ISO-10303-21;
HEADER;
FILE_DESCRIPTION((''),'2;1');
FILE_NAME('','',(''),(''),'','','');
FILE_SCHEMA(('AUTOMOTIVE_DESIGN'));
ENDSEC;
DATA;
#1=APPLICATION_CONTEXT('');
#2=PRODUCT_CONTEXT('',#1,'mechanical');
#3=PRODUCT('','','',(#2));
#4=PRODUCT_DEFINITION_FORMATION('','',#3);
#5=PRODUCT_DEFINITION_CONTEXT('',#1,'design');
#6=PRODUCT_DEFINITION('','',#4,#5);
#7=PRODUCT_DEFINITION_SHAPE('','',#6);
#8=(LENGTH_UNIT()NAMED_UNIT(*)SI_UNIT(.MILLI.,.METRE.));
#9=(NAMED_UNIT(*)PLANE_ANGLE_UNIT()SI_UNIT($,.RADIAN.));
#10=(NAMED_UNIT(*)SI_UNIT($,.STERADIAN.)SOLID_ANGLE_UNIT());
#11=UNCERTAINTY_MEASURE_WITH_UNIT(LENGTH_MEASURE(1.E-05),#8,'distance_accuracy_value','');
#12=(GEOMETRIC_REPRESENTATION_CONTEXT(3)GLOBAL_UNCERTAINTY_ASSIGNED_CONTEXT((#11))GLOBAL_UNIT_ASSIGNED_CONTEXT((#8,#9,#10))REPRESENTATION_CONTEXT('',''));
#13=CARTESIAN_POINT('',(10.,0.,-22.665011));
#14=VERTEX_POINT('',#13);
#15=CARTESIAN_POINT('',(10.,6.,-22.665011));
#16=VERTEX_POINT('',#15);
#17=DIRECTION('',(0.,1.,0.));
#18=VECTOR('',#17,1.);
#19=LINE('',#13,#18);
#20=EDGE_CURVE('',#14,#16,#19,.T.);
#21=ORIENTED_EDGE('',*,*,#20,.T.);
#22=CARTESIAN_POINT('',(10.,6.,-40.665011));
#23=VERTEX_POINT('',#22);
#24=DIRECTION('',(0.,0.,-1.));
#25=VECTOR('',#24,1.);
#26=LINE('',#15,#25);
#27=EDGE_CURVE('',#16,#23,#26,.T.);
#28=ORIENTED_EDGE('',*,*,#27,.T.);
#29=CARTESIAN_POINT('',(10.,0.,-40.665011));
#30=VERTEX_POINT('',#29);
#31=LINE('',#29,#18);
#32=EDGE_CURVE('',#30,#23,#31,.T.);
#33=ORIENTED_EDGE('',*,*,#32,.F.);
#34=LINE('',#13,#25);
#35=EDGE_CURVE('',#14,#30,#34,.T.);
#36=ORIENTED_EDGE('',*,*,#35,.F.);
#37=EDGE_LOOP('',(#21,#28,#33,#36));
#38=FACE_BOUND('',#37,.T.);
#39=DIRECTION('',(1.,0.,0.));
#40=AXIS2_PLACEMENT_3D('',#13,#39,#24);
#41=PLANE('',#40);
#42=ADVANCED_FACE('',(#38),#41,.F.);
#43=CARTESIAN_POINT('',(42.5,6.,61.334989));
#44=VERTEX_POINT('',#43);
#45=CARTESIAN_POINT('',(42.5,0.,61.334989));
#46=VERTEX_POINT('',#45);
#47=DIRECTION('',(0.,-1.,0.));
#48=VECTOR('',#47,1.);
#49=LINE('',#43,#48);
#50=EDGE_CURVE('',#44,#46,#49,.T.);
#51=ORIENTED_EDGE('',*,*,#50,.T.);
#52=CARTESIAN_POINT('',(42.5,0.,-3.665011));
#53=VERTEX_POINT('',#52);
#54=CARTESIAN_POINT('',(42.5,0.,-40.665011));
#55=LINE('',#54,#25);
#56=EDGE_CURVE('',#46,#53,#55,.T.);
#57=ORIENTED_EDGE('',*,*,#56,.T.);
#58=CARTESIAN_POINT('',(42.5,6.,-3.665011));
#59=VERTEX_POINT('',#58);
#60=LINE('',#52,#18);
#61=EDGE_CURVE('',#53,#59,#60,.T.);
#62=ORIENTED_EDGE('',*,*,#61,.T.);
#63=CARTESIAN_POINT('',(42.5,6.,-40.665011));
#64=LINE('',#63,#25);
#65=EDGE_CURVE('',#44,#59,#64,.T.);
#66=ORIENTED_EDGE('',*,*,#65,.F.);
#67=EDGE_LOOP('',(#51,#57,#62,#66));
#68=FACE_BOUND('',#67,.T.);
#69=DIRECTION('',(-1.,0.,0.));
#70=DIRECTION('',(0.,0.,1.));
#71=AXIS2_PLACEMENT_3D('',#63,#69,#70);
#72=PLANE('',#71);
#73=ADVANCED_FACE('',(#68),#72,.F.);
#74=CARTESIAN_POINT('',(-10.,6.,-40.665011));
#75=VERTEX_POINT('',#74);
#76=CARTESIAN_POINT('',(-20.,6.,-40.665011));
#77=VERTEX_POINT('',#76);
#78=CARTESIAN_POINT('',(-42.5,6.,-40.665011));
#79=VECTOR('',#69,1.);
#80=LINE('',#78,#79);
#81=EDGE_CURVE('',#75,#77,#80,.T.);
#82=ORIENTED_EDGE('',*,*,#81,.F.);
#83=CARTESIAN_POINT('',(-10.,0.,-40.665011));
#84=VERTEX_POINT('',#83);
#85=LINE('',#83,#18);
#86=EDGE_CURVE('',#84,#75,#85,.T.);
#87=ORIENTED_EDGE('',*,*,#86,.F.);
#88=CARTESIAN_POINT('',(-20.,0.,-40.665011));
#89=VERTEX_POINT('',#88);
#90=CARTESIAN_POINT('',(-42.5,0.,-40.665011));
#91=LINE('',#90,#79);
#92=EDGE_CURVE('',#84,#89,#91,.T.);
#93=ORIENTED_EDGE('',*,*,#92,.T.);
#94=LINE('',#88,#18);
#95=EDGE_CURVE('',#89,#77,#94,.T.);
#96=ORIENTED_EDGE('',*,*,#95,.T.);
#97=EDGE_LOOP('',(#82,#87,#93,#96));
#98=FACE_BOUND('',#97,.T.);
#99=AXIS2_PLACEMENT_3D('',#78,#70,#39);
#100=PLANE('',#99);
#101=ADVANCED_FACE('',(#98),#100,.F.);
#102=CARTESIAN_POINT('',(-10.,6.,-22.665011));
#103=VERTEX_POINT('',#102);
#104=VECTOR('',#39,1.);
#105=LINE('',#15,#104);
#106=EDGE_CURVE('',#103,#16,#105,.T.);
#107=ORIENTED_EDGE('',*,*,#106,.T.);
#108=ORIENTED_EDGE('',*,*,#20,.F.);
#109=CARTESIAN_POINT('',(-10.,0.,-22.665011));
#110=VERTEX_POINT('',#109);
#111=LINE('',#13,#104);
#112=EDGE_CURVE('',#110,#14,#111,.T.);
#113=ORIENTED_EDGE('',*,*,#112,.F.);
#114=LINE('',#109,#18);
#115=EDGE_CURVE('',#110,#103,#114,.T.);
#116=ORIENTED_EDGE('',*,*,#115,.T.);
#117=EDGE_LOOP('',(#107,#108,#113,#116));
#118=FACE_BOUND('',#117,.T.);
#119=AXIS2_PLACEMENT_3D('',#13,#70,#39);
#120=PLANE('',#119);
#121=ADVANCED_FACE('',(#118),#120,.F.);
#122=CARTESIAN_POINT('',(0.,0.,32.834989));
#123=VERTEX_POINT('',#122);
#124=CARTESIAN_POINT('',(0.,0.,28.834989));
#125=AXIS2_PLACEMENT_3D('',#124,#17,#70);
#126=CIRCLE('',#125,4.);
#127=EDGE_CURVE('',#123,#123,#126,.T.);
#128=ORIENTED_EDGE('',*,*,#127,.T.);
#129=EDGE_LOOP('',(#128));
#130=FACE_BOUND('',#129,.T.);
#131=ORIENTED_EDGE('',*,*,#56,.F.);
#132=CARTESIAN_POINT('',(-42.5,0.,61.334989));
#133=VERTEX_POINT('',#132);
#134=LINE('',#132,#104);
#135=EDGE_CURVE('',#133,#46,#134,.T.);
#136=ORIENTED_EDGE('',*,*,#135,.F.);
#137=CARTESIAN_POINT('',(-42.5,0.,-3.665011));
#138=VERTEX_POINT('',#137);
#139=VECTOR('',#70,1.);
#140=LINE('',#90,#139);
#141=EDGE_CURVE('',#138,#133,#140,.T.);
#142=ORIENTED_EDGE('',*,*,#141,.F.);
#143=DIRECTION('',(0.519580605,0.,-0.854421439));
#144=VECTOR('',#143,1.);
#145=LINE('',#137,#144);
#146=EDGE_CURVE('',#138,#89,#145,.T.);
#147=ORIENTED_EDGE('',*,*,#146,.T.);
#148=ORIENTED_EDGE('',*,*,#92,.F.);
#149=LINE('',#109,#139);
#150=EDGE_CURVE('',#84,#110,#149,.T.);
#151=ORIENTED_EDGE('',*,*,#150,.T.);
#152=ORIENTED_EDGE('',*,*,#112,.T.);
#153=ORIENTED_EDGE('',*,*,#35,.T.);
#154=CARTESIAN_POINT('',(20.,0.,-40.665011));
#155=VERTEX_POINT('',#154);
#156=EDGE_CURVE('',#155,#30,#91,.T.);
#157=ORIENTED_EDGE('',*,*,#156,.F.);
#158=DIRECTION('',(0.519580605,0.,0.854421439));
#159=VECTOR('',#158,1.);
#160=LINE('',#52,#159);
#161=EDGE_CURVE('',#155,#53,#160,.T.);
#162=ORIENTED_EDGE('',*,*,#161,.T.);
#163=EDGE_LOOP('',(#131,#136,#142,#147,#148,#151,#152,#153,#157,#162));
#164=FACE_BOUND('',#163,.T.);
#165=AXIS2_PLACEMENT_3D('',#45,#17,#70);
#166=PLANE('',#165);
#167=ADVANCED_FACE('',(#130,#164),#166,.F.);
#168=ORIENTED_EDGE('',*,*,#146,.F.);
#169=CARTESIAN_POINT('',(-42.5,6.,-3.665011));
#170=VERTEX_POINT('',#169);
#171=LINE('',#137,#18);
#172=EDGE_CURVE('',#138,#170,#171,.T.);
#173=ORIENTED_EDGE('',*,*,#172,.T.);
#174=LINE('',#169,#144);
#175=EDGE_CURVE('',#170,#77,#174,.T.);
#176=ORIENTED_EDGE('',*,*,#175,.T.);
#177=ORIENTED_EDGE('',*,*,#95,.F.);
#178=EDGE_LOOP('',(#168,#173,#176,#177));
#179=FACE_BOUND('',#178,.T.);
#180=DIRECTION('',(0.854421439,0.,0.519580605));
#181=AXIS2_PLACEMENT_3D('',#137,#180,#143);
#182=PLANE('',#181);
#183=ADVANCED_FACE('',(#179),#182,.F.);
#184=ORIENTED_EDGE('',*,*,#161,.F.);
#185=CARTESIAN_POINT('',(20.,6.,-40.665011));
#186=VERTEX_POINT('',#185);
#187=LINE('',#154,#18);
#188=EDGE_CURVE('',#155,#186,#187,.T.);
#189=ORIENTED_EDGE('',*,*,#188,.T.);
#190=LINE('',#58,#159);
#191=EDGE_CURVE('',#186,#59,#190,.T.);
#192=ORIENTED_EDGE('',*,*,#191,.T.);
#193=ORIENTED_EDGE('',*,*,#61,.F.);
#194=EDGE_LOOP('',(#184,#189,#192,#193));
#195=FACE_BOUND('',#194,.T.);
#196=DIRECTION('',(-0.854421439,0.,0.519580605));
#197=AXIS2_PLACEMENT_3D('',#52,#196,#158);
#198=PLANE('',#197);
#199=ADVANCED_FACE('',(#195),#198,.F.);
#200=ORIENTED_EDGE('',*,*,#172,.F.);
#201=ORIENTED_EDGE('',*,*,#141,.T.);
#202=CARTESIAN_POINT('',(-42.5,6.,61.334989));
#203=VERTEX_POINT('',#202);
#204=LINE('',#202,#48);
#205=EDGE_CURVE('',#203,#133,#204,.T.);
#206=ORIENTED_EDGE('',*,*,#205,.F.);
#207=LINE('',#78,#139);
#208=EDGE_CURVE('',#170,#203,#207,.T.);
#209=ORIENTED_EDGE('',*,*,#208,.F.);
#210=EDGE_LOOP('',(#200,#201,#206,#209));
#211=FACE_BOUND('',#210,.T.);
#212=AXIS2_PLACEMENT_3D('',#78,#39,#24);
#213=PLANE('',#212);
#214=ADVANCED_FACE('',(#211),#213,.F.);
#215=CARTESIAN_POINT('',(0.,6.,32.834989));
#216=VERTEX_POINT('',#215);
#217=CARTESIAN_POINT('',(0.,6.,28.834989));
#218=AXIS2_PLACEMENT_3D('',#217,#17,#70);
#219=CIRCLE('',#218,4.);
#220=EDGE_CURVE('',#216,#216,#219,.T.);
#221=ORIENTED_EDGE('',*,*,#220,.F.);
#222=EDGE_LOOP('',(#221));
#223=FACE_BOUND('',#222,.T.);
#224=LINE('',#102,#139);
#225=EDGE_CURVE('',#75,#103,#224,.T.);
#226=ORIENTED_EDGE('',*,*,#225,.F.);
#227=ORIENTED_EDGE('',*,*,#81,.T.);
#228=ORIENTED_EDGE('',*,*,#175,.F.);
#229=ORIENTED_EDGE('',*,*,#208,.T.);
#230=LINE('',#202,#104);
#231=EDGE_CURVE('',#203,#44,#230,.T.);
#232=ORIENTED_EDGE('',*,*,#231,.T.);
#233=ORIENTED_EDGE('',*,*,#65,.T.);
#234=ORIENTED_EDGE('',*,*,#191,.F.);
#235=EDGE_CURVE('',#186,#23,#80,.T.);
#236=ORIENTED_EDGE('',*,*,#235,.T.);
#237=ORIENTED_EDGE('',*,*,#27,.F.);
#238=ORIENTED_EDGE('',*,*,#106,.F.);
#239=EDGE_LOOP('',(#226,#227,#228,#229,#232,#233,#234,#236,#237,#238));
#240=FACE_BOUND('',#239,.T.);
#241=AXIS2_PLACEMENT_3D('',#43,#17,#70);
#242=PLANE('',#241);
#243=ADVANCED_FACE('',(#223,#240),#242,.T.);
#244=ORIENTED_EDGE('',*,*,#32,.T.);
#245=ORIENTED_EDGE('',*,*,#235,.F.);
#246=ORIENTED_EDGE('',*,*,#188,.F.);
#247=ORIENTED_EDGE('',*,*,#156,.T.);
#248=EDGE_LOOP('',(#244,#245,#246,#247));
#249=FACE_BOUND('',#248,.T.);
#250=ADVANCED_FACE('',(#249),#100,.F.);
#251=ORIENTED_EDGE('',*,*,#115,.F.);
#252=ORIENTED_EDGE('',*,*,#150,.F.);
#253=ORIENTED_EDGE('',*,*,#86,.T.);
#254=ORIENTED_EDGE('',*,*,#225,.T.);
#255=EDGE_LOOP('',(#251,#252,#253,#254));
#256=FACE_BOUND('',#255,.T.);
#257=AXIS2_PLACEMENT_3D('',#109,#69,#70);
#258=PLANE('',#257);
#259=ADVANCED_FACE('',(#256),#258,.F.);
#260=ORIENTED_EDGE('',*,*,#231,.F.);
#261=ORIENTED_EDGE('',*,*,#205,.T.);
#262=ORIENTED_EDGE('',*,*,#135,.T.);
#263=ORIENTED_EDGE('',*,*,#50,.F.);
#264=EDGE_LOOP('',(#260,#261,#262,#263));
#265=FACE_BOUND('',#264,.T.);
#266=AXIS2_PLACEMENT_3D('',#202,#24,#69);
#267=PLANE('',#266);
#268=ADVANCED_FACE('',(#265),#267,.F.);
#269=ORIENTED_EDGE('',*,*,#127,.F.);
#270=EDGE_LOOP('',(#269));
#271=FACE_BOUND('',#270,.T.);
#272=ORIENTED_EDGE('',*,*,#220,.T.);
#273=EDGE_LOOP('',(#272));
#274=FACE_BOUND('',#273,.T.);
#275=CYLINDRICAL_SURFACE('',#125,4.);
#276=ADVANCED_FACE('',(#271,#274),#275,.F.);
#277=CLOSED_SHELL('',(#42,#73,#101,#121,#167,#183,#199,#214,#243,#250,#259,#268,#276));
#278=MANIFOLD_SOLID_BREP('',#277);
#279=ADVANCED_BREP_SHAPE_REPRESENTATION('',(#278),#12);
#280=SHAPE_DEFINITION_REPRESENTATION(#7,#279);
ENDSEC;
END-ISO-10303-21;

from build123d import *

# Parameters (mm, degrees)
SKETCH_1_W          = 85
SKETCH_1_H          = 102
EXTRUDE_1_DEPTH     = 6
CUT_EXTRUDE_1_DEPTH = 75.861411438
SKETCH_3_R          = 4
CUT_EXTRUDE_2_DEPTH = 75.861411438
SKETCH_4_W          = 20
SKETCH_4_H          = 18
CUT_EXTRUDE_3_DEPTH = 75.861411438


with BuildPart() as part:
    # Эскиз1 → Вытянуть1 (new body)
    with BuildSketch(Plane(origin=(0, 0, 0), x_dir=(1, 0, 0), z_dir=(0, 1, 0))):
        with Locations((0, -10.334989382)):
            Rectangle(SKETCH_1_W, SKETCH_1_H)
    extrude(amount=EXTRUDE_1_DEPTH)

    # Эскиз2 → Вырез-Вытянуть1 (cut, through all)
    with BuildSketch(Plane(origin=(0, 6, 0), x_dir=(1, 0, 0), z_dir=(0, 1, 0))):
        Polygon((42.5, 3.665010618), (20, 40.665010618), (42.5, 40.665010618), align=None)
        Polygon((-42.5, 40.665010618), (-42.5, 3.665010618), (-20, 40.665010618), align=None)
    extrude(amount=-CUT_EXTRUDE_1_DEPTH, mode=Mode.SUBTRACT)

    # Эскиз3 → Вырез-Вытянуть2 (cut, through all)
    with BuildSketch(Plane(origin=(0, 6, 0), x_dir=(1, 0, 0), z_dir=(0, 1, 0))):
        with Locations(Location((0, -28.834989382, 0), (0, 0, 270))):
            Circle(SKETCH_3_R)
    extrude(amount=-CUT_EXTRUDE_2_DEPTH, mode=Mode.SUBTRACT)

    # Эскиз4 → Вырез-Вытянуть3 (cut, through all)
    with BuildSketch(Plane(origin=(0, 6, 0), x_dir=(1, 0, 0), z_dir=(0, 1, 0))):
        with Locations((3.2e-08, 31.665010618)):
            Rectangle(SKETCH_4_W, SKETCH_4_H)
    extrude(amount=-CUT_EXTRUDE_3_DEPTH, mode=Mode.SUBTRACT)


solid = part.part
